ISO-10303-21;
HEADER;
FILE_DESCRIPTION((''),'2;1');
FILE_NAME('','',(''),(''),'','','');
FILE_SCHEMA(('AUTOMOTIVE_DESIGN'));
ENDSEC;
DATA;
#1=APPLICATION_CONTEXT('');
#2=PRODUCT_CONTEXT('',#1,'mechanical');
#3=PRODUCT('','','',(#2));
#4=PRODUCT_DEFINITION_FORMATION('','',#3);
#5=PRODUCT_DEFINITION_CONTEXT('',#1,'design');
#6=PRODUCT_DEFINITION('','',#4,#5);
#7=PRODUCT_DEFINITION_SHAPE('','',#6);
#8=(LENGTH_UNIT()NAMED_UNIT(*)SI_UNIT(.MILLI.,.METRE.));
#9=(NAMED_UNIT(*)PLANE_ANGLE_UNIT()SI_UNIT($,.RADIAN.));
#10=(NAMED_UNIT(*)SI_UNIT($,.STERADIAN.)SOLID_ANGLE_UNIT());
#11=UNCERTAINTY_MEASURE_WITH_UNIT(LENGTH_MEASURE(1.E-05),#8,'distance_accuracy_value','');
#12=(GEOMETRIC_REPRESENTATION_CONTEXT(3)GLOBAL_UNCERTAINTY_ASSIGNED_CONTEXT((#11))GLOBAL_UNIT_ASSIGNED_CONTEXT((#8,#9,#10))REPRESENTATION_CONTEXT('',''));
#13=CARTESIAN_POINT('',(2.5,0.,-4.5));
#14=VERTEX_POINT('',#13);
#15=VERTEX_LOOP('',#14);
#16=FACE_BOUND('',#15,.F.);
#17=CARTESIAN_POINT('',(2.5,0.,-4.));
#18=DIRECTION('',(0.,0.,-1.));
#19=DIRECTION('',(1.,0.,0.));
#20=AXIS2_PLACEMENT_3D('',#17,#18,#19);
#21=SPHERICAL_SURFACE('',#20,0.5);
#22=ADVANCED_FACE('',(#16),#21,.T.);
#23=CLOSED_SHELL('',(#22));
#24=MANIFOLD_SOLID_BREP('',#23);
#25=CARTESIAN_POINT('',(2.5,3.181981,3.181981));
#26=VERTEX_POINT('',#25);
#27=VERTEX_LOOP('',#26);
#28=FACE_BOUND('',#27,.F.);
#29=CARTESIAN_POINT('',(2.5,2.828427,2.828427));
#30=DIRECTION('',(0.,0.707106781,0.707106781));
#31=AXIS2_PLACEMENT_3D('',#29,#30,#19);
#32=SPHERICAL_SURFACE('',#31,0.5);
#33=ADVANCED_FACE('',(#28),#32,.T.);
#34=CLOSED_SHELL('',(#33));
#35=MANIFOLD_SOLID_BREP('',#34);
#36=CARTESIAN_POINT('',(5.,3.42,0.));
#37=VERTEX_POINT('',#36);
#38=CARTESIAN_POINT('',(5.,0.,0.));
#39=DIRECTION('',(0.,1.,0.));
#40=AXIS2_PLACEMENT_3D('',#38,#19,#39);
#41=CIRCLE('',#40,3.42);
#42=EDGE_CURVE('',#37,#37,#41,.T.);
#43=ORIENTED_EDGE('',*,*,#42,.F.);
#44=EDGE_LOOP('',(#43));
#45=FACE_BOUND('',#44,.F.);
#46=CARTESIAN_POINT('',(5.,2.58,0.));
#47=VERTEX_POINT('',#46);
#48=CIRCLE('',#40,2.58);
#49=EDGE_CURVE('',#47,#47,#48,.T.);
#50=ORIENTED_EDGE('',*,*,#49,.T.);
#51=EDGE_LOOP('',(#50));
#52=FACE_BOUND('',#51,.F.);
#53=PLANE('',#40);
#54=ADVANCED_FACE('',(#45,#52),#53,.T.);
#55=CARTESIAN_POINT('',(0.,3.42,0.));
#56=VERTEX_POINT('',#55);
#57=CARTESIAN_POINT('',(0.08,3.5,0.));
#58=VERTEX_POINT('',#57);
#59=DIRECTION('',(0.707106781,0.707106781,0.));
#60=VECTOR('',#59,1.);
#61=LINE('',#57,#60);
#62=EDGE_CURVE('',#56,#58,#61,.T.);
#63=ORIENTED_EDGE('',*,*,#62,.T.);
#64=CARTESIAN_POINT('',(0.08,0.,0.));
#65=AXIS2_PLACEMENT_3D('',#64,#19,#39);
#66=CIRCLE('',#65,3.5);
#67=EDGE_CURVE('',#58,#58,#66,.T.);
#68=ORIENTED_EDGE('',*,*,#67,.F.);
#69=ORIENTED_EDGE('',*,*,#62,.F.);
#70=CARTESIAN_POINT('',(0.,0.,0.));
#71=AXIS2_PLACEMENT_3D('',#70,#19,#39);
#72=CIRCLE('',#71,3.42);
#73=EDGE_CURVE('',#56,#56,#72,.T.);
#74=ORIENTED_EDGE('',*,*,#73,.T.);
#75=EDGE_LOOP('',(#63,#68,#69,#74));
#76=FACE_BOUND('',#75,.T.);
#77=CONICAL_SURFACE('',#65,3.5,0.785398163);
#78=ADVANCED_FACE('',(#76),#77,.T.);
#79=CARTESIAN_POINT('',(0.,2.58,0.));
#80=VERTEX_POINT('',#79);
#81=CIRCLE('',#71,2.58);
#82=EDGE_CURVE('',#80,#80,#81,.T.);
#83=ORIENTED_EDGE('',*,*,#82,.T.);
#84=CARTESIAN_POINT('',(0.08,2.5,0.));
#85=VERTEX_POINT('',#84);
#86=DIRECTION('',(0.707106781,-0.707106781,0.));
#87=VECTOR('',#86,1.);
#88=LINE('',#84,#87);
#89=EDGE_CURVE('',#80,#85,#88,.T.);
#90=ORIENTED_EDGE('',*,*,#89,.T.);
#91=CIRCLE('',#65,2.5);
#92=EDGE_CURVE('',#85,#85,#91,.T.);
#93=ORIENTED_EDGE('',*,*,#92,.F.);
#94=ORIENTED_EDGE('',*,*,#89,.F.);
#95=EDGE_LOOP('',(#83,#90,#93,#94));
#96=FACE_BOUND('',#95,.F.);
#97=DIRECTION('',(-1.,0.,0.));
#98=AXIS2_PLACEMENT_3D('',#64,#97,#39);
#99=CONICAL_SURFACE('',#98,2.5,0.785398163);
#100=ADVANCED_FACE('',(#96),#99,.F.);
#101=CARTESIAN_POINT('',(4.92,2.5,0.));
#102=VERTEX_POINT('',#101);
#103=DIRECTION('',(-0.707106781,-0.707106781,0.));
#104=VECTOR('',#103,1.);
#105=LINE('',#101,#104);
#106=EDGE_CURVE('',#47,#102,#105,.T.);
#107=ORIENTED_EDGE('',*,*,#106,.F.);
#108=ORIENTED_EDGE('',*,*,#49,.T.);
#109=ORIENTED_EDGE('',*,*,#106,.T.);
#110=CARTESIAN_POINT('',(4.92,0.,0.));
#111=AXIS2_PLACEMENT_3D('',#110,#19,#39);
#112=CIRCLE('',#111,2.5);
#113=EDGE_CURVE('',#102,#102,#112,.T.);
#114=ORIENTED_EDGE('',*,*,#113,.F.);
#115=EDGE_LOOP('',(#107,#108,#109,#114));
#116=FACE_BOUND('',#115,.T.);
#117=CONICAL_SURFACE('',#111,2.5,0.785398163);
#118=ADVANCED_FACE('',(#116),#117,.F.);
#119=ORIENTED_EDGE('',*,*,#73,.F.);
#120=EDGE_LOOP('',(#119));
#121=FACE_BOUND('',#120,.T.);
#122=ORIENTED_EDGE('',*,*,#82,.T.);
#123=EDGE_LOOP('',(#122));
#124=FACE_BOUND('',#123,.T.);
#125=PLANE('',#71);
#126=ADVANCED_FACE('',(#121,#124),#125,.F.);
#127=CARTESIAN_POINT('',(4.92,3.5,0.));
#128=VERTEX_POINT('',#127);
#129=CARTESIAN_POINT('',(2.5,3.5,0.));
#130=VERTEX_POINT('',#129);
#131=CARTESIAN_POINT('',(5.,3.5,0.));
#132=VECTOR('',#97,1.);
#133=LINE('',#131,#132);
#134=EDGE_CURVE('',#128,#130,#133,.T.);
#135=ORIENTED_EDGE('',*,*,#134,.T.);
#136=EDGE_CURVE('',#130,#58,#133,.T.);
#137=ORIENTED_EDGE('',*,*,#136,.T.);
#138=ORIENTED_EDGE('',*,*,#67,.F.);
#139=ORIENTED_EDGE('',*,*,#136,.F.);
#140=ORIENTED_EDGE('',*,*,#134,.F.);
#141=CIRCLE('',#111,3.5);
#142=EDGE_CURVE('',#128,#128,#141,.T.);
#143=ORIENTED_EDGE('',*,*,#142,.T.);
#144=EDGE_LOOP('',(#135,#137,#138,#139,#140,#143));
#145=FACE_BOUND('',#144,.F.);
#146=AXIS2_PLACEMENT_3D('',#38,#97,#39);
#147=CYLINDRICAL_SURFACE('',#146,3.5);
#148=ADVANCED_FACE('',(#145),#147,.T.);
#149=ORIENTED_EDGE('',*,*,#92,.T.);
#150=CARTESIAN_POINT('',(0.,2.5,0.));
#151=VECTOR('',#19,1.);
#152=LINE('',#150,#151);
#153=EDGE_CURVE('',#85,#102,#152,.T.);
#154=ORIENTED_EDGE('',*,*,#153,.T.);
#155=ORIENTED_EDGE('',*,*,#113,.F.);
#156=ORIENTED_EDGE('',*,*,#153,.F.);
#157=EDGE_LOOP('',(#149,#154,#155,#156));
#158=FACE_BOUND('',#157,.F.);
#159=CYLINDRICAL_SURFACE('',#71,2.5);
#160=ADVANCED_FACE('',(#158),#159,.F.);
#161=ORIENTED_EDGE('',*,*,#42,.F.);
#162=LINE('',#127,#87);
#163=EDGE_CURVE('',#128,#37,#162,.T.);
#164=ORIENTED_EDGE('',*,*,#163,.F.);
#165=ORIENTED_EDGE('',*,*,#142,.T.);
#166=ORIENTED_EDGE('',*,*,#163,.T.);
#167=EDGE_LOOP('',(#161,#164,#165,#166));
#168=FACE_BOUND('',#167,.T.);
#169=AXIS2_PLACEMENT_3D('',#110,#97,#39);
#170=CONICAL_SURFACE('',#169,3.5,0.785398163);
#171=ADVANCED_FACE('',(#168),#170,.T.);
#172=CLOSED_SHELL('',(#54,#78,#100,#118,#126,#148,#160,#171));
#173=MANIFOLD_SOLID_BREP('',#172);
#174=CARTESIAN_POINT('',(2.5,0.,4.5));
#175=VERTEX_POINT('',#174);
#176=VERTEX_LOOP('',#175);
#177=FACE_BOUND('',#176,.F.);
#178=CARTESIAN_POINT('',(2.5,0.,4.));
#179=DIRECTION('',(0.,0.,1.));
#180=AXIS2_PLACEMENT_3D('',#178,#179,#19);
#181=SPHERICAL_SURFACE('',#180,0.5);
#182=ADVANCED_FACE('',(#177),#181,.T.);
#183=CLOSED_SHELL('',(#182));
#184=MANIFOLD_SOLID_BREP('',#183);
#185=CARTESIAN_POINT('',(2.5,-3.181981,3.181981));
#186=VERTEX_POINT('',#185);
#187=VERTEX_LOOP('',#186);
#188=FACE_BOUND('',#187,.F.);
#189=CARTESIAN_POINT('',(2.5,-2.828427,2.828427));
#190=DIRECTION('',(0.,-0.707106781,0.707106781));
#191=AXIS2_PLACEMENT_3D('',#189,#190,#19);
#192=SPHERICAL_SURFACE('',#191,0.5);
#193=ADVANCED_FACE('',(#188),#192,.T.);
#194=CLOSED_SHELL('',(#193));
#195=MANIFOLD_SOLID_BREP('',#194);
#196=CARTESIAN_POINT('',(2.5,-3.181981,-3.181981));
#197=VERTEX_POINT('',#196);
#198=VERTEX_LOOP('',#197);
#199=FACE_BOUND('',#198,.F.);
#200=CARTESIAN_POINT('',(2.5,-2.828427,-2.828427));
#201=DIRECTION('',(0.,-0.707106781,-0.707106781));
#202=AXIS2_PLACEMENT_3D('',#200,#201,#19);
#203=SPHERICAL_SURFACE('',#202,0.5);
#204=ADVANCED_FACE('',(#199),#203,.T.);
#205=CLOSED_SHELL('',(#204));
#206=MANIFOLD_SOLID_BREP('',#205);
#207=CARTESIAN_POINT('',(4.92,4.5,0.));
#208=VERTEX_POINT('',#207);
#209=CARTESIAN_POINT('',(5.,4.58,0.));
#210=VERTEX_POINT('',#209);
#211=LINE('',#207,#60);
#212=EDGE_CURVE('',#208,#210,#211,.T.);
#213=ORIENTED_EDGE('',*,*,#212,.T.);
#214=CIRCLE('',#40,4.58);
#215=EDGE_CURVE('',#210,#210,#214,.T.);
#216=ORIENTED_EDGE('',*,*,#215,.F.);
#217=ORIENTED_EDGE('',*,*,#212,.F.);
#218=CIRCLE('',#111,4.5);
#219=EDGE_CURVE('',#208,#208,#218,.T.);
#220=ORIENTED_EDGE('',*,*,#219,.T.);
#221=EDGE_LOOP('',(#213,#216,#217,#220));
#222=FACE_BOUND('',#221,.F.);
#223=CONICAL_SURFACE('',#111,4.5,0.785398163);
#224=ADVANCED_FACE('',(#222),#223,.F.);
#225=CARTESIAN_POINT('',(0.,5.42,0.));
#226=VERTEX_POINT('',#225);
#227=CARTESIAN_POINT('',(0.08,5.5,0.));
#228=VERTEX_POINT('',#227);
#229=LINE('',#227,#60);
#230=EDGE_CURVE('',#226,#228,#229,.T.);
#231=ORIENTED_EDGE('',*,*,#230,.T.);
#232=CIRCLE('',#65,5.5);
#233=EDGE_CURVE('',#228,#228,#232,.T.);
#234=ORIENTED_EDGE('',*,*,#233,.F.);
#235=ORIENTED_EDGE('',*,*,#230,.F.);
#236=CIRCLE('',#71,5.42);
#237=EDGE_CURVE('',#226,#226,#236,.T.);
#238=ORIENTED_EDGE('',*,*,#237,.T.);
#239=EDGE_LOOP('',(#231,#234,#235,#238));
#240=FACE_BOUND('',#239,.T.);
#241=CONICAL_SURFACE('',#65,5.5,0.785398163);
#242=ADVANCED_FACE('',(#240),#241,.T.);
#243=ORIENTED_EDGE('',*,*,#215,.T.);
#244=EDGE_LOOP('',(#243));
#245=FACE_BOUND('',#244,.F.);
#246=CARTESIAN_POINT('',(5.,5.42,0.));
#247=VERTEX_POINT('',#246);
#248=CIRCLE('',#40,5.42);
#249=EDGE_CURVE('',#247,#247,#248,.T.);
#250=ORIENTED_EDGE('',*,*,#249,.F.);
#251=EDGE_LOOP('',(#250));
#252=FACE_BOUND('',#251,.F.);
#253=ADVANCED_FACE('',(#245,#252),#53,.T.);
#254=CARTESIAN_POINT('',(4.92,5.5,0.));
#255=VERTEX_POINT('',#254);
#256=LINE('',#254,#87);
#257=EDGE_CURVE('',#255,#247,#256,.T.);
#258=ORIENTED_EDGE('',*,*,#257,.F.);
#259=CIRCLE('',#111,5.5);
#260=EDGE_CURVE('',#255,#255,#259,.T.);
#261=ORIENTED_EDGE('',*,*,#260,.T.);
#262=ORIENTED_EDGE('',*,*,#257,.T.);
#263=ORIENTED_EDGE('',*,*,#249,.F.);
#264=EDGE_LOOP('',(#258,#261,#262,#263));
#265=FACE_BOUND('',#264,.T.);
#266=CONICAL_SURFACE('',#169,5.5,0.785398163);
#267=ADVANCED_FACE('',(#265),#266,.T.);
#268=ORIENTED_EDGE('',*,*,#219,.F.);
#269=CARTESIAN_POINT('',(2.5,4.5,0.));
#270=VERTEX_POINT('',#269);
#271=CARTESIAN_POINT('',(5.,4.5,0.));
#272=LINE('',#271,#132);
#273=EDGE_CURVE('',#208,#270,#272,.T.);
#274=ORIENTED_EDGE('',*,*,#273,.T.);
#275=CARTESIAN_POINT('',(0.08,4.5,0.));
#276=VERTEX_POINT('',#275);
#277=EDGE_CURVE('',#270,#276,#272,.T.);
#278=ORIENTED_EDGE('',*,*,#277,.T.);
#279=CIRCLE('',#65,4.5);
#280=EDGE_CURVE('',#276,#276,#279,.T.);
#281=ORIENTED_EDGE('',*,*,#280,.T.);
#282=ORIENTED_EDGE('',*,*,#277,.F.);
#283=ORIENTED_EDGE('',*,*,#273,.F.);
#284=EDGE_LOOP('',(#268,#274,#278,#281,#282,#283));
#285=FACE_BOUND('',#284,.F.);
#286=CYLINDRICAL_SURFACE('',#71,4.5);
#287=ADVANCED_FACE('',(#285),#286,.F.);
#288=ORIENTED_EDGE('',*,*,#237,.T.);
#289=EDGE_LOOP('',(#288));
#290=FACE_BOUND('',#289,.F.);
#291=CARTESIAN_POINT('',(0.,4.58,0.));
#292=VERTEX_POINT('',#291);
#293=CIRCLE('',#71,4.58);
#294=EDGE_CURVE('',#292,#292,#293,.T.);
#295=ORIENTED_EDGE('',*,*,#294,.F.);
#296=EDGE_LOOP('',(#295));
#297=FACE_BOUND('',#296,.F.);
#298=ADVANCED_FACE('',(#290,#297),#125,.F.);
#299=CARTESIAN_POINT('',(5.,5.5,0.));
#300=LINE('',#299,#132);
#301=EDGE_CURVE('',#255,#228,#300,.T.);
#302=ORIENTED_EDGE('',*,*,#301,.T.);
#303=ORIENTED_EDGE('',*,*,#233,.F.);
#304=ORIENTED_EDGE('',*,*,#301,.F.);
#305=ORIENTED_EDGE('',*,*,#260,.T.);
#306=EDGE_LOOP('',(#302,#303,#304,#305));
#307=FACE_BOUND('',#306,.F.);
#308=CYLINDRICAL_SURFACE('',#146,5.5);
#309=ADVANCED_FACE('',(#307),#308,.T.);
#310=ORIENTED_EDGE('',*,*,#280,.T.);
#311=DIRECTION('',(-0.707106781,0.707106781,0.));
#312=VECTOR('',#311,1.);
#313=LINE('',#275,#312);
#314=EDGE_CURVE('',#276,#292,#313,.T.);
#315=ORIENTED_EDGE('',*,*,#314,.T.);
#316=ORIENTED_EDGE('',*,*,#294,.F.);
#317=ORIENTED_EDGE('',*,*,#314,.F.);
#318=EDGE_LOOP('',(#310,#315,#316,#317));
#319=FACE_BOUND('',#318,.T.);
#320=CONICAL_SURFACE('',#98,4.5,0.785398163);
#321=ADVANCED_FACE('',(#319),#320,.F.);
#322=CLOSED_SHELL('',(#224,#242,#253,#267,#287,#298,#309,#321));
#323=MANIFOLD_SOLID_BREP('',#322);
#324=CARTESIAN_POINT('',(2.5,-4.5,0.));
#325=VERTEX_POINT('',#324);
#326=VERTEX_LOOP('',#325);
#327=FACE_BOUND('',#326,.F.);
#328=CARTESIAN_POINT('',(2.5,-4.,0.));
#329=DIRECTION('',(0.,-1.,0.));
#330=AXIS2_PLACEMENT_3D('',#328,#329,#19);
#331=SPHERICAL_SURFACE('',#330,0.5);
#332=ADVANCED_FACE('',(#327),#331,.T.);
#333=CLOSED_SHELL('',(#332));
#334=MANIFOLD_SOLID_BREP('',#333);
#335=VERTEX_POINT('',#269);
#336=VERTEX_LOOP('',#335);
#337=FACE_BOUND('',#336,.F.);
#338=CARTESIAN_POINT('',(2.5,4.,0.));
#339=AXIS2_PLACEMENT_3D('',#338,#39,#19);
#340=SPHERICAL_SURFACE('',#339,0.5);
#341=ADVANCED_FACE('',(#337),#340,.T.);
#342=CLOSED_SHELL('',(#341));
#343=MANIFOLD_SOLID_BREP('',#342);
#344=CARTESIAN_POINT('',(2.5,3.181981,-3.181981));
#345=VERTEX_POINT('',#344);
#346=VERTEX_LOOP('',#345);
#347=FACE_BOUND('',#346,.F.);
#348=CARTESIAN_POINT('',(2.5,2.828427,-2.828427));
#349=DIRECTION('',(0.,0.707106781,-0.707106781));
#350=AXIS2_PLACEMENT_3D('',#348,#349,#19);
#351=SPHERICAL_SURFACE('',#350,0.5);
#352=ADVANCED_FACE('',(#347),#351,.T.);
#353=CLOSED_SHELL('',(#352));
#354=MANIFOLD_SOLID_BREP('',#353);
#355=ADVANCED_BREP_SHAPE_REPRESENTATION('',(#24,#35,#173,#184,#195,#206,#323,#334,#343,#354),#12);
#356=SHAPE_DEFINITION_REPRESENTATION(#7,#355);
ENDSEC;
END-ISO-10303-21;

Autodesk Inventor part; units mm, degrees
ref_plane "YZ Plane" through (0, 0, 0) normal (1, 0, 0) x (0, 1, 0)
ref_plane "XZ Plane" through (0, 0, 0) normal (0, 1, 0) x (-1, 0, 0)
ref_plane "XY Plane" through (0, 0, 0) normal (0, 0, 1) x (1, 0, 0)
sketch "草图1" plane through (0, 0, 0) normal (0, 0, 1) x (1, 0, 0)
  line L0 (0, 0) -> (0, 2.515)
  line L1 (0, 0) -> (1.8186, 0)
  line L2 (0, 2.5) -> (5, 2.5)
  line L3 (5, 2.5) -> (5, 3.5)
  line L4 (5, 3.5) -> (0, 3.5)
  line L5 (0, 3.5) -> (0, 2.5)
  line L6 (0, 4.5) -> (5, 4.5)
  line L7 (5, 4.5) -> (5, 5.5)
  line L8 (5, 5.5) -> (0, 5.5)
  line L9 (0, 5.5) -> (0, 4.5)
  arc A0 (2.5, 3.5) -> (2.5, 4.5) centre (2.5, 4) ccw
  line L10 (2.5, 4.5) -> (2.5, 3.5)
  dimension "d19" = 5
  dimension "d20" = 5
  dimension "d21" = 11
  dimension "d22" = 1
  dimension "d23" = 1
revolve "Revolution 1" add sketch "草图1" angle 360 about axis through (0, 0, 0) along (1, 0, 0) contours L6 L9 L8 L7 | L0 L5 L4 L3 L2
chamfer "Chamfer 1" distance 0.08 angle 45 8 edges at (5, -5.5, 0) (5, -4.5, 0) (5, -3.5, 0) (5, -2.5, 0) (0, -5.5, 0) (0, -4.5, 0) (0, -3.5, 0) (0, -2.5, 0)
revolve "Revolution 2" add sketch "草图1" angle 360 about axis through (2.5, 4.5, 0) along (0, -1, 0) contours L10 A0
pattern_circular "Circular Pattern 1" count 8 over 360 about axis through (2.5, 0, 0) along (1, 0, 0) of "Revolution 2"
equation "\"d19\" = KB"
equation "\"d20\" = WD"
equation "\"d21\" = BD"
equation "\"d22\" = -0.166667 * WD + 0.166667 * BD"
equation "\"d23\" = d22"
equation "\"d12\" = KRS"
equation "\"WD\" = 5"
equation "\"BD\" = 11"
equation "\"KB\" = 5"
equation "\"KRS\" = 0.08"
equation "\"YM\" = KRS"
properties part number "Rolling bearing GB/T 5800-2003 -638/5" material "Steel, Carbon"
